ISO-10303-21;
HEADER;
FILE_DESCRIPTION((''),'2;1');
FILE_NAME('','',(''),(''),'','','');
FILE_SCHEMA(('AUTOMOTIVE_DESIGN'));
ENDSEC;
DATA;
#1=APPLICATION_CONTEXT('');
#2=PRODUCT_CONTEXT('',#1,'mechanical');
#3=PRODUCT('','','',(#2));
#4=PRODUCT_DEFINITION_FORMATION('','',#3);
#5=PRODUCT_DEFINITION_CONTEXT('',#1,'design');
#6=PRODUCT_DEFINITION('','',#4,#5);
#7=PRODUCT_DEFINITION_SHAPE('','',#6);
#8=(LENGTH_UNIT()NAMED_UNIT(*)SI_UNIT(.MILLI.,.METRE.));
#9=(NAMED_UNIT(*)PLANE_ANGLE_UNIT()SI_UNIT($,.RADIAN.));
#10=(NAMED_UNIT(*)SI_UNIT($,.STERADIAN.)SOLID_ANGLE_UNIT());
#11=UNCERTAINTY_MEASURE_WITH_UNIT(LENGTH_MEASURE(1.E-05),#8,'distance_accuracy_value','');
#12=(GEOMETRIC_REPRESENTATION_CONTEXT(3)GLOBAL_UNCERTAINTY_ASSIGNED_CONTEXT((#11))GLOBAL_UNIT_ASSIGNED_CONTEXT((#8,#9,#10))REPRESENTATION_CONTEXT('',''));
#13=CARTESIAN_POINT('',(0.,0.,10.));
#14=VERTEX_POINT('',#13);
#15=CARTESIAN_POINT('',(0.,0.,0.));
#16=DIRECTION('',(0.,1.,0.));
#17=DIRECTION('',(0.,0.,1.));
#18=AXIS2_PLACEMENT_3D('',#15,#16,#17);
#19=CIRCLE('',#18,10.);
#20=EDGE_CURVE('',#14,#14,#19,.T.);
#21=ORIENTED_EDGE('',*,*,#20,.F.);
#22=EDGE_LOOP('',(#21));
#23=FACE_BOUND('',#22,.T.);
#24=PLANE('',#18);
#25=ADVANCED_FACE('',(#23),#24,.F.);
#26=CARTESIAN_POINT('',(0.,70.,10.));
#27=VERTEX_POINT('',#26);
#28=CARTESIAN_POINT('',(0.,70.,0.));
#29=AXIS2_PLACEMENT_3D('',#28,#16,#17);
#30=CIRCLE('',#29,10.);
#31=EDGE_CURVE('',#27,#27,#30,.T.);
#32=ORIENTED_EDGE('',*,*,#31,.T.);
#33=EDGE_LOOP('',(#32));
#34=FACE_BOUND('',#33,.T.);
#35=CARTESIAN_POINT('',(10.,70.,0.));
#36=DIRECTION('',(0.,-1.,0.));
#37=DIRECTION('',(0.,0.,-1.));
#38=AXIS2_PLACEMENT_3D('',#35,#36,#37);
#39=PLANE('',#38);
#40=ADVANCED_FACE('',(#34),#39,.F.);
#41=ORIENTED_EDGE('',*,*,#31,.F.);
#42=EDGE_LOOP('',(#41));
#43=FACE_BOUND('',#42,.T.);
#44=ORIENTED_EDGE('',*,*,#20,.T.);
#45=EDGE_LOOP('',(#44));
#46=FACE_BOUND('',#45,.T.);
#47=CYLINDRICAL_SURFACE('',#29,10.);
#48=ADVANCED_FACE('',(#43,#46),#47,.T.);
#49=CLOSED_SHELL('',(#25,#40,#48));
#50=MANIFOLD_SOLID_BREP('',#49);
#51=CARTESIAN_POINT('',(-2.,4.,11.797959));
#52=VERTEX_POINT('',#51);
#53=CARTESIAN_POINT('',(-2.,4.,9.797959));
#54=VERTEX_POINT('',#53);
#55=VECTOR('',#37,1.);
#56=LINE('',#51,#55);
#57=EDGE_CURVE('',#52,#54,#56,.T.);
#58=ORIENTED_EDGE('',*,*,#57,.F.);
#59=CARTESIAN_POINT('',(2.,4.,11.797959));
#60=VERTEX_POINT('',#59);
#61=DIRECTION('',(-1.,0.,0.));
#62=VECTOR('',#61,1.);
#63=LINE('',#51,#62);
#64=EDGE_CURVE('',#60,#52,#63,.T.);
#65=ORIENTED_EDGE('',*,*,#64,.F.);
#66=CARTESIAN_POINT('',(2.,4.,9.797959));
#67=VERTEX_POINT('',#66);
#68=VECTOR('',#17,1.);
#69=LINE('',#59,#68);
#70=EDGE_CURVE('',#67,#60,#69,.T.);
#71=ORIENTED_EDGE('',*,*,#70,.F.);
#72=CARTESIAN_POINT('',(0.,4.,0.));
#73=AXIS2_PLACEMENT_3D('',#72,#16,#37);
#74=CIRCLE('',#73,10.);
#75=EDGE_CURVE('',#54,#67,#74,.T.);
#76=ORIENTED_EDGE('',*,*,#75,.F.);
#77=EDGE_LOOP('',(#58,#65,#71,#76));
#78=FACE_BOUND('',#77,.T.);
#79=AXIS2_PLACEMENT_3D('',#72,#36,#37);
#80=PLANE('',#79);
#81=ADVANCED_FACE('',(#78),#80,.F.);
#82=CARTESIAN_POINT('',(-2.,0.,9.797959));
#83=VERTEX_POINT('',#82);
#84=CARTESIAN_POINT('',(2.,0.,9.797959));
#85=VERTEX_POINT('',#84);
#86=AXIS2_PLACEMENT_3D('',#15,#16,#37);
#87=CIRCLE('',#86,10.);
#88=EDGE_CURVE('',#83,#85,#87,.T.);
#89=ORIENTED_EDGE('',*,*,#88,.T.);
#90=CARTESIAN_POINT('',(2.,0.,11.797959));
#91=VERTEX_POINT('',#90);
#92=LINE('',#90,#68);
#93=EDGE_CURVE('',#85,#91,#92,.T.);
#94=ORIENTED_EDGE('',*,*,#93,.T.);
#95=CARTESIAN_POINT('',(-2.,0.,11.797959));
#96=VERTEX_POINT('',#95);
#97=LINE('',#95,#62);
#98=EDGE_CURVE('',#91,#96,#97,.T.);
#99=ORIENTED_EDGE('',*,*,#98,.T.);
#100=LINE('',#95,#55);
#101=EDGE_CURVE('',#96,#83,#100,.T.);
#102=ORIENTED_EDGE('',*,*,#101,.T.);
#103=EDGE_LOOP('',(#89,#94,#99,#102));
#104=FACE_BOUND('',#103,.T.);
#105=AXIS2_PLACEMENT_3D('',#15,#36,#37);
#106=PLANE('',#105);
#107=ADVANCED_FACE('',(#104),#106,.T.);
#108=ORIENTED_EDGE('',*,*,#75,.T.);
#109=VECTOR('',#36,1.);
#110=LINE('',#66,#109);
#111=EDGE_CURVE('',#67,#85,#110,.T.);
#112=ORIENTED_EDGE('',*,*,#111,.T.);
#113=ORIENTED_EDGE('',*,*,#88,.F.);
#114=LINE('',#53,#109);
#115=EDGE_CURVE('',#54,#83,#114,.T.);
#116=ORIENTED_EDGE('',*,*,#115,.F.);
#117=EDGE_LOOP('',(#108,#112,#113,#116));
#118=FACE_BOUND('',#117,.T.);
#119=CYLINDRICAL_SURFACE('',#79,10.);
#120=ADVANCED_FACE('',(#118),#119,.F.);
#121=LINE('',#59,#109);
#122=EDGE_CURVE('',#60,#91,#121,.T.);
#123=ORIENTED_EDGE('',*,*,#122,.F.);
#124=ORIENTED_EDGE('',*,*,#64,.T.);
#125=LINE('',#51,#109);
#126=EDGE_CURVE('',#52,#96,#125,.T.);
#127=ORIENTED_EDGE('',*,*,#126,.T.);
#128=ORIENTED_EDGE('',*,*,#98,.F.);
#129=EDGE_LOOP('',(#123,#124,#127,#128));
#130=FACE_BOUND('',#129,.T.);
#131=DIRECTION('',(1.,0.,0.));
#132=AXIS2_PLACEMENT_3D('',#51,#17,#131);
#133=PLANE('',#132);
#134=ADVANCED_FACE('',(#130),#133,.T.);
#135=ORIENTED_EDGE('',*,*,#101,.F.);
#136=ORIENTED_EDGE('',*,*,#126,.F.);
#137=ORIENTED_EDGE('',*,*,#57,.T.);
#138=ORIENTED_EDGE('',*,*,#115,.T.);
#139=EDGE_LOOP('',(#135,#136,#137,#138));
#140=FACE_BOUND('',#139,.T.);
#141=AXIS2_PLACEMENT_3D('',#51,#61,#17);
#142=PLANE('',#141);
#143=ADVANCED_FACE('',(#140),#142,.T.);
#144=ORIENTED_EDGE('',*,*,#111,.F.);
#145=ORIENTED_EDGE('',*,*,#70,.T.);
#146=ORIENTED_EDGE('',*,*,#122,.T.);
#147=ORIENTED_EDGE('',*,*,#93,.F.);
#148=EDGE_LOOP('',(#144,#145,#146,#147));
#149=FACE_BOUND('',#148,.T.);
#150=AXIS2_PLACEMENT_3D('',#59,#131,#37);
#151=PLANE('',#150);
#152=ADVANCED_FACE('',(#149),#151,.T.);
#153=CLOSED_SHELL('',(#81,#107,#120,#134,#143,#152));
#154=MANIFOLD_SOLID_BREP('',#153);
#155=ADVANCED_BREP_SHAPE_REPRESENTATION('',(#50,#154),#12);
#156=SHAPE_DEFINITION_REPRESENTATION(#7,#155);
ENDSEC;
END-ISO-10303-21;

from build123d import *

# Parameters (mm, degrees)
SKETCH1_W           = 10
SKETCH1_H           = 70
BOSS_EXTRUDE1_DEPTH = 4


with BuildPart() as part:
    # Sketch1 → Revolve1 (revolve)
    with BuildSketch(Plane.XY, mode=Mode.PRIVATE) as revolve1_sk:
        with Locations((5, 35)):
            Rectangle(SKETCH1_W, SKETCH1_H)
    revolve(revolve1_sk.sketch.rotate(Axis((0, 70, 0), (0, -1, 0)), 90), axis=Axis((0, 70, 0), (0, -1, 0)))


with BuildPart() as body_2:
    # Sketch2 → Boss-Extrude1 (new body)
    with BuildSketch(Plane.XZ):
        with BuildLine():
            Line((-2, 11.797958971), (-2, 9.797958971))
            ThreePointArc((-2, 9.797958971), (0, 10), (2, 9.797958971))
            Line((2, 9.797958971), (2, 11.797958971))
            Line((2, 11.797958971), (-2, 11.797958971))
        make_face()
    extrude(amount=-BOSS_EXTRUDE1_DEPTH)


solid = Compound([part.part, body_2.part])
